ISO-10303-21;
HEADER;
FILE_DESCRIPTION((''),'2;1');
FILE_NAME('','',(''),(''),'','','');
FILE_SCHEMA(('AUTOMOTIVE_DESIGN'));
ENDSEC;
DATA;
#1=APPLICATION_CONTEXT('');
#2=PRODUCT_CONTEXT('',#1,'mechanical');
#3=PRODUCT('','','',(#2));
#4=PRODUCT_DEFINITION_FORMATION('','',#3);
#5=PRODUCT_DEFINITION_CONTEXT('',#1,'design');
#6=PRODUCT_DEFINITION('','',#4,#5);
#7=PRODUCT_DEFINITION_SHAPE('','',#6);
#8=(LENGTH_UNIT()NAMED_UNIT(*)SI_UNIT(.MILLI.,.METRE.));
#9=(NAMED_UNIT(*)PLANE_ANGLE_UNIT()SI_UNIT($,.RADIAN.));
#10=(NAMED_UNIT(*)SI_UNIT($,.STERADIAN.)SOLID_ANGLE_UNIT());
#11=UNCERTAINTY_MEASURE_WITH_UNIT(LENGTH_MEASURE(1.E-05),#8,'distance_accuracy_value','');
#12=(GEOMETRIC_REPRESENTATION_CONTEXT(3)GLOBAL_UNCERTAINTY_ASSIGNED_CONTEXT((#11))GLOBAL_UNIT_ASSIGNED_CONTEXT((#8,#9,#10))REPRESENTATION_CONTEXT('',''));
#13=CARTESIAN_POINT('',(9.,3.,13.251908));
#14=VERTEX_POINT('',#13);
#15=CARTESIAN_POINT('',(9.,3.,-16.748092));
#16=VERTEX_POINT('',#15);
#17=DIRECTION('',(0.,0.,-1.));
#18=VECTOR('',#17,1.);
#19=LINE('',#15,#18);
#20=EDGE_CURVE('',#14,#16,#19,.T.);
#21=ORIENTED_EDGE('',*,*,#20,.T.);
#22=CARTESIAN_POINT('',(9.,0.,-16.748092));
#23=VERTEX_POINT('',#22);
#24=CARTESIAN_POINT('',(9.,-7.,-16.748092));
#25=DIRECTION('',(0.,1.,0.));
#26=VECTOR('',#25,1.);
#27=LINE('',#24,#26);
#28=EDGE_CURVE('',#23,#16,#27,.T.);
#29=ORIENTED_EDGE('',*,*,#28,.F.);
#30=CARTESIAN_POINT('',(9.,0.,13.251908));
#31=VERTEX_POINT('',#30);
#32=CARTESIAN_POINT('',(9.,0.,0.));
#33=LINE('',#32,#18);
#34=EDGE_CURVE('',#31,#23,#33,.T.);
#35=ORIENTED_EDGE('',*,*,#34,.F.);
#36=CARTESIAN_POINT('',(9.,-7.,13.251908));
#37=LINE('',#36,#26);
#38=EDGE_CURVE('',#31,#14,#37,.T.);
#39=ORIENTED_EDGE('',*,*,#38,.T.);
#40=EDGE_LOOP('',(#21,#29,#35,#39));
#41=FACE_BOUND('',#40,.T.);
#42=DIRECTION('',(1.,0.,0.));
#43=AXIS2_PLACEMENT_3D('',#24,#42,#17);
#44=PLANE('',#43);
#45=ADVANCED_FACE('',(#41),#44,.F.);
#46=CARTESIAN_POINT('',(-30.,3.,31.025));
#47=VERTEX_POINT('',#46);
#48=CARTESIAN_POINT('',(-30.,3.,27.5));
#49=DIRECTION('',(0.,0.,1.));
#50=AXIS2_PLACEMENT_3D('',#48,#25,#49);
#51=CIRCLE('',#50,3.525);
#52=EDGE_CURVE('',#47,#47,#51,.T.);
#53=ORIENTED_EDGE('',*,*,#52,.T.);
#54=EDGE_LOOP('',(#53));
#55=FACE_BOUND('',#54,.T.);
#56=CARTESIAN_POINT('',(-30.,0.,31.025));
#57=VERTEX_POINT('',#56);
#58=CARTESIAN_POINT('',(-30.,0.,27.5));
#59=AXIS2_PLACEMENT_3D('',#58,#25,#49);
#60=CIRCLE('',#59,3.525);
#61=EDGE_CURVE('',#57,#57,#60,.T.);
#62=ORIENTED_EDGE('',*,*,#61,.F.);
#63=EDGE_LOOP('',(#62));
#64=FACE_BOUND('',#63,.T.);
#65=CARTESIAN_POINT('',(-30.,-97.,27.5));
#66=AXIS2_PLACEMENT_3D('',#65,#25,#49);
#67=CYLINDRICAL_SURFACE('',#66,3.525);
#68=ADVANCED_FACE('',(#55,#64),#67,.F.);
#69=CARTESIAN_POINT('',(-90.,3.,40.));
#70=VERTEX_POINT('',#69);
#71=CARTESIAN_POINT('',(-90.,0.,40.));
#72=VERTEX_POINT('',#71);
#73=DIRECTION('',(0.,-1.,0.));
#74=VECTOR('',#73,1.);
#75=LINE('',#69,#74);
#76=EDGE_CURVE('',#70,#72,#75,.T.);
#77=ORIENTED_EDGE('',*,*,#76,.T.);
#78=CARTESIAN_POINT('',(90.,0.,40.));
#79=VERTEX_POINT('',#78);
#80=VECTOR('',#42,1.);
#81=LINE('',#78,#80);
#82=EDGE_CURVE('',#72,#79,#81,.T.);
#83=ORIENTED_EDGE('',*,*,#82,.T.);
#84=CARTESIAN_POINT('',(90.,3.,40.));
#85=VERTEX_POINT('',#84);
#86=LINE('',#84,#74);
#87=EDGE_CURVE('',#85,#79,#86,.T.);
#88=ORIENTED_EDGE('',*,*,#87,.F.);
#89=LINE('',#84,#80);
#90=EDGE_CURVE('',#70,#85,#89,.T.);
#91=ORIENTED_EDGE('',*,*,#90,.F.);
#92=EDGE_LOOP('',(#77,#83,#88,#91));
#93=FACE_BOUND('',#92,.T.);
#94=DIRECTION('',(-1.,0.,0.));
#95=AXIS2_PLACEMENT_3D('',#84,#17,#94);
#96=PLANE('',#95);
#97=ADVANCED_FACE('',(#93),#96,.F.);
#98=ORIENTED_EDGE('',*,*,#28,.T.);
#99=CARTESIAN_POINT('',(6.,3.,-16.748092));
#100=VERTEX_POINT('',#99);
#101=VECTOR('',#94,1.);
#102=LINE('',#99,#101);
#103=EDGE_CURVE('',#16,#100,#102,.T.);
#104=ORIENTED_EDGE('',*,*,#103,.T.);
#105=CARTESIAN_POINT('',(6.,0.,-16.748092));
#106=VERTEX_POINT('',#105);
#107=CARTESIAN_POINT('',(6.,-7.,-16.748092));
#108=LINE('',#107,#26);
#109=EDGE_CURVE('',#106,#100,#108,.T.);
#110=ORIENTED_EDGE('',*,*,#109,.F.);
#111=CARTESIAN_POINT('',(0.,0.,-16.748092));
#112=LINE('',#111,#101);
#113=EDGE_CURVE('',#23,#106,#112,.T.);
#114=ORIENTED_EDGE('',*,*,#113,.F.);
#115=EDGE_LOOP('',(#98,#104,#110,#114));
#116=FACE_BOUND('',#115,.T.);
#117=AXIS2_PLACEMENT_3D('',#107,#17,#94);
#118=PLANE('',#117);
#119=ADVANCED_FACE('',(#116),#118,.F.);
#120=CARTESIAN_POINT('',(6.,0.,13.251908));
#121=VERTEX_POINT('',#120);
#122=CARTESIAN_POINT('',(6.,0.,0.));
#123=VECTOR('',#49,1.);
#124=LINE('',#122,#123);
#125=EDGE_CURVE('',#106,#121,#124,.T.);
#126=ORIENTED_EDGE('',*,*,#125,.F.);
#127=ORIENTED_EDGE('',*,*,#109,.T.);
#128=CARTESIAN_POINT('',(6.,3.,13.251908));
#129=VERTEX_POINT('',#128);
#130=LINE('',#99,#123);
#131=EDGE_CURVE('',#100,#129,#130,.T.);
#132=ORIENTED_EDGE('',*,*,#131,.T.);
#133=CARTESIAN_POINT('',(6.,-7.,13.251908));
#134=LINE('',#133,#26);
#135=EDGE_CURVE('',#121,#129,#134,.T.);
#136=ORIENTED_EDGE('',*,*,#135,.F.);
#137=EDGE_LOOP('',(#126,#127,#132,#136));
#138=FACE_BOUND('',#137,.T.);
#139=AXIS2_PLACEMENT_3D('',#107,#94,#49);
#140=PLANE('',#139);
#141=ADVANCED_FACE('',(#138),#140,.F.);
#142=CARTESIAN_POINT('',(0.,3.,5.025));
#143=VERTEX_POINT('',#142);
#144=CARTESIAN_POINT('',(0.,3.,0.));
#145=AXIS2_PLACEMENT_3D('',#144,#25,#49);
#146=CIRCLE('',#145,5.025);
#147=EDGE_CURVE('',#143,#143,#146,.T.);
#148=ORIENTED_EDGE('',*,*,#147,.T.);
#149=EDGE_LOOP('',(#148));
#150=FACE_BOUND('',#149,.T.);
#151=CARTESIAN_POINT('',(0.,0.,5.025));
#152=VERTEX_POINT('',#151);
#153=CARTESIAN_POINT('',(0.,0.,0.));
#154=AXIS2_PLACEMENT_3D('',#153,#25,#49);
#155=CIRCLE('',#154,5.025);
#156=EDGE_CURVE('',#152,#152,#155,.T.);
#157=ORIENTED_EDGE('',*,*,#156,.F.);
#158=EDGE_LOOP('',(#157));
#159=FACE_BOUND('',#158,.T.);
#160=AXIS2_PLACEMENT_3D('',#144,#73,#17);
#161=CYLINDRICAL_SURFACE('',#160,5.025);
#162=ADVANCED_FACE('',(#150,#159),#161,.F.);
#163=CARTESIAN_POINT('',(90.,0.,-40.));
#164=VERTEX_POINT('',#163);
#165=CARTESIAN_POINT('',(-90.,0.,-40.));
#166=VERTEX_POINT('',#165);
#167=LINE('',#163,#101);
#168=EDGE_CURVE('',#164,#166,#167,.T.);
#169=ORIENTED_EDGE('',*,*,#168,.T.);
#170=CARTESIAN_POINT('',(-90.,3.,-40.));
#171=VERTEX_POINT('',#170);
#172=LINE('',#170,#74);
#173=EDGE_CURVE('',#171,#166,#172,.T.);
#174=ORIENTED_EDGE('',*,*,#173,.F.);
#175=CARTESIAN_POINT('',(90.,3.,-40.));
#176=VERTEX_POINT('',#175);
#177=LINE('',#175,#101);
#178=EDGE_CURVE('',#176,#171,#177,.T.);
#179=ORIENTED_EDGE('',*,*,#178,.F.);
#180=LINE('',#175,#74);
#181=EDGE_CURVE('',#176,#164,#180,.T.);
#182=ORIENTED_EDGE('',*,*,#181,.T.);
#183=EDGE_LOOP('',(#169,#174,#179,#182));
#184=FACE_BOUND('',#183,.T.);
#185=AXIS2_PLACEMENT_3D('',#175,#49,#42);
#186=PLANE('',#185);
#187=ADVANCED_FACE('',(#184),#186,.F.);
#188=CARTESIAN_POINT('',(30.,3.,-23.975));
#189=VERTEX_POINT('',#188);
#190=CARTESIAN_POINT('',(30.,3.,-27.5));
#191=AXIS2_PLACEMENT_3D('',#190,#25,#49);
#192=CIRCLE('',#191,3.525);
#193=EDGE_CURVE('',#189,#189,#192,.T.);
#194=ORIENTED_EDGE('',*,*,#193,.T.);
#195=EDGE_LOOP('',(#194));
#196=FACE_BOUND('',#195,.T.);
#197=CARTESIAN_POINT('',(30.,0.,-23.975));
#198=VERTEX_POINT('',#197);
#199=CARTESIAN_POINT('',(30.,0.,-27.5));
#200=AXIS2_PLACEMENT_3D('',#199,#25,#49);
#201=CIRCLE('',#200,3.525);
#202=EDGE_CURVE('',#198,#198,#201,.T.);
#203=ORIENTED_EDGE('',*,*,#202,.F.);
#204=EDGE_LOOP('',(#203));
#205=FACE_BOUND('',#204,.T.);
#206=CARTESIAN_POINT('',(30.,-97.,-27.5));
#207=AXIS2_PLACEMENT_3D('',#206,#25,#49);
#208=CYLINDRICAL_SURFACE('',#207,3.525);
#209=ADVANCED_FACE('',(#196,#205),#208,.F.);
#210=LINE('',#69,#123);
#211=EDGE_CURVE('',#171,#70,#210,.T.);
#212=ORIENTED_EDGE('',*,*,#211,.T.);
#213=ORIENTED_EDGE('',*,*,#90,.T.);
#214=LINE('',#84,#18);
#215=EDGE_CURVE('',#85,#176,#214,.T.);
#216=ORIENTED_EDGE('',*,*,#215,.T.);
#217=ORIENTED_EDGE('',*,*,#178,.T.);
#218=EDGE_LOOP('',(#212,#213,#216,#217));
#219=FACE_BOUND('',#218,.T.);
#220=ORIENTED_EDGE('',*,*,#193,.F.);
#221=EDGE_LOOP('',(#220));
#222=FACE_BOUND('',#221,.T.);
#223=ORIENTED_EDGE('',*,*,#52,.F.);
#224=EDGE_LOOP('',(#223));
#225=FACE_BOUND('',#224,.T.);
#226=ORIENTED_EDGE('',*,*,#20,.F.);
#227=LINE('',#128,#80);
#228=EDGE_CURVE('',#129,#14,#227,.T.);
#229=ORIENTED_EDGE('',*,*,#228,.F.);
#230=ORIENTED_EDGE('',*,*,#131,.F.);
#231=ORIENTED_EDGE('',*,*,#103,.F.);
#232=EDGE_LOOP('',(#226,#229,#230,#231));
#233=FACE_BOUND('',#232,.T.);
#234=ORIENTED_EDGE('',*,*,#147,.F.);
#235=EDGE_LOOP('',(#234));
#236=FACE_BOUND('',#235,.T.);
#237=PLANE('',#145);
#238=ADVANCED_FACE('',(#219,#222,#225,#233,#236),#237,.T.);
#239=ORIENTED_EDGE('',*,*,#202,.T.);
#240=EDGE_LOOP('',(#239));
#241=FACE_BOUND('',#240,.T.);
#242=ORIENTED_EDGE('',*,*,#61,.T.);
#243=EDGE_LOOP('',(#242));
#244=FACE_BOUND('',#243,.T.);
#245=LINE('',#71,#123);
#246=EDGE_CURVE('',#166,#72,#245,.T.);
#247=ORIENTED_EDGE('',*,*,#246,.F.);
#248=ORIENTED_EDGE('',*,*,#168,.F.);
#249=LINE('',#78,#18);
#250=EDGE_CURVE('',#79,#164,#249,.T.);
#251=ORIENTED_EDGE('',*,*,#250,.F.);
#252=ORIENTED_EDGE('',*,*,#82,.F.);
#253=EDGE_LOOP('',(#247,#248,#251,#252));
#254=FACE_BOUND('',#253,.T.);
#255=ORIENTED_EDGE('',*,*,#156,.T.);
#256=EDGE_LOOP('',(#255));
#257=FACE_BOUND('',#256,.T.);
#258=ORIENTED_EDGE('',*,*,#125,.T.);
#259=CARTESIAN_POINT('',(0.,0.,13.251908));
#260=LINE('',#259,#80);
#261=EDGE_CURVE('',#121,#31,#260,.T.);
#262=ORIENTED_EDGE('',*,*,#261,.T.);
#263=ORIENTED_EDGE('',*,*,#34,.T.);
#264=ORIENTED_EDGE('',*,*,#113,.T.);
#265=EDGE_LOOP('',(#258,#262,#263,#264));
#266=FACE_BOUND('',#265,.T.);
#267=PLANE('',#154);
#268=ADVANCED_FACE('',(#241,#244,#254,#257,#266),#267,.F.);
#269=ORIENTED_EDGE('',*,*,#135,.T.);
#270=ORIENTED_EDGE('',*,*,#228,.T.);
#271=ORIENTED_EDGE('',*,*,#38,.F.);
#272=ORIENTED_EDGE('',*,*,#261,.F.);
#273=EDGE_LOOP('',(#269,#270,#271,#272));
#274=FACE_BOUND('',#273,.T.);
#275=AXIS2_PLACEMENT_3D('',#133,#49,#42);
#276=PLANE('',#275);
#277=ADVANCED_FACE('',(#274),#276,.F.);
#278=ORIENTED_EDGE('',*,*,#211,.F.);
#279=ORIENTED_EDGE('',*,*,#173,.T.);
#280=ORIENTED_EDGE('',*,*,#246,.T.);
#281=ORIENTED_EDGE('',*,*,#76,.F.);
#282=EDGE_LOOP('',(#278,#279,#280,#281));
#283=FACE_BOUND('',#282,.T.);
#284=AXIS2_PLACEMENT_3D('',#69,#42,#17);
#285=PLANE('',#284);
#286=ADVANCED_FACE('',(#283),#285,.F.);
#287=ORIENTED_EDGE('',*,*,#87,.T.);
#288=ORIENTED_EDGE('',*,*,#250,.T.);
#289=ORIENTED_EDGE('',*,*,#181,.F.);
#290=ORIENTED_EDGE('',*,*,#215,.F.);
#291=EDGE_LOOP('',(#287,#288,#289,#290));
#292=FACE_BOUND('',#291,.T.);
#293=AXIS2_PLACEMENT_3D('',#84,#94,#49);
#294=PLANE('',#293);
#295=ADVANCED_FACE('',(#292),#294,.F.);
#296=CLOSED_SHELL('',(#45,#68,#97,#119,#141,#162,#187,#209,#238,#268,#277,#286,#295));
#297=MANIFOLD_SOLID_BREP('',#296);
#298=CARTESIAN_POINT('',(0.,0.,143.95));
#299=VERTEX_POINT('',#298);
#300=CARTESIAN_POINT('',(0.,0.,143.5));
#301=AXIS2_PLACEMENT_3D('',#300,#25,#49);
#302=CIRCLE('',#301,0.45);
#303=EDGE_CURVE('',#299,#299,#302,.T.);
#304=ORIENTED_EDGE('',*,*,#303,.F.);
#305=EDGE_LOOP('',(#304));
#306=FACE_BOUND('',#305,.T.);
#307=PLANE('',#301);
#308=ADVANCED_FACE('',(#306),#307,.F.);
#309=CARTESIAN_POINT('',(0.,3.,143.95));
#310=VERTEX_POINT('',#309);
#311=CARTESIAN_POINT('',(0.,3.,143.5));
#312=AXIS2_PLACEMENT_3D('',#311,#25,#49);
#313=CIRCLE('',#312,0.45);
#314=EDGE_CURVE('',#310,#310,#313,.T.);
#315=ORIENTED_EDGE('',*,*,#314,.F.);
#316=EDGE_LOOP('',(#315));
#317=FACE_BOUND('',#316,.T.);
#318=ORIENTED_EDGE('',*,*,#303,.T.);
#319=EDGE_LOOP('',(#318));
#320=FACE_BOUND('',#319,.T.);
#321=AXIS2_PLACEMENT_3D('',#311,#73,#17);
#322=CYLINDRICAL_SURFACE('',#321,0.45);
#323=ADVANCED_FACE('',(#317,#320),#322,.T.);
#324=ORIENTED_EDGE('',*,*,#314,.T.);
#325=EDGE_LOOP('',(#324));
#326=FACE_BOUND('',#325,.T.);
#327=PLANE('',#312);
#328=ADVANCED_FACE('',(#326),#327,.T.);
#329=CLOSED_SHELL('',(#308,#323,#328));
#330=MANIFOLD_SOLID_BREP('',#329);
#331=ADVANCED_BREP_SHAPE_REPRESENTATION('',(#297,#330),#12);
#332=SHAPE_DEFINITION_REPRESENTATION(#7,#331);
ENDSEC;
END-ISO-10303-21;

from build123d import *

# Parameters (mm, degrees)
ESBO_O1_R                  = 0.45
RESSALTO_EXTRUS_O1_DEPTH   = 3
ESBO_O1_W                  = 180
ESBO_O1_H                  = 80
ESBO_O1_R_2                = 5.025
RESSALTO_EXTRUS_O1_2_DEPTH = 3
ESBO_O3_R                  = 3.525
CORTE_EXTRUS_O2_DEPTH      = 100
ESBO_O4_W                  = 3
ESBO_O4_H                  = 30
CORTE_EXTRUS_O3_DEPTH      = 10


with BuildPart() as part:
    # Esboço1 → Ressalto-extrusão1 (new body)
    with BuildSketch(Plane(origin=(0, 0, 0), x_dir=(1, 0, 0), z_dir=(0, 1, 0))):
        with Locations(Location((0, -143.5, 0), (0, 0, 270))):
            Circle(ESBO_O1_R)
    extrude(amount=RESSALTO_EXTRUS_O1_DEPTH)


with BuildPart() as body_2:
    # Esboço1 → Ressalto-extrus_o1 2 (new body)
    with BuildSketch(Plane(origin=(0, 0, 0), x_dir=(1, 0, 0), z_dir=(0, 1, 0))):
        Rectangle(ESBO_O1_W, ESBO_O1_H)
        with Locations(Location((0, 0, 0), (0, 0, 270))):
            Circle(ESBO_O1_R_2, mode=Mode.SUBTRACT)
    extrude(amount=RESSALTO_EXTRUS_O1_2_DEPTH)

    # Esboço3 → Corte-extrusão2 (cut)
    with BuildSketch(Plane(origin=(0, 3, 0), x_dir=(1, 0, 0), z_dir=(0, 1, 0))):
        with Locations(Location((30, 27.5, 0), (0, 0, 270))):
            Circle(ESBO_O3_R)
        with Locations(Location((-30, -27.5, 0), (0, 0, 270))):
            Circle(ESBO_O3_R)
    extrude(amount=-CORTE_EXTRUS_O2_DEPTH, mode=Mode.SUBTRACT)

    # Esboço4 → Corte-extrusão3 (cut)
    with BuildSketch(Plane(origin=(0, 3, 0), x_dir=(1, 0, 0), z_dir=(0, 1, 0))):
        with Locations((7.5, 1.748092336)):
            Rectangle(ESBO_O4_W, ESBO_O4_H)
    extrude(amount=-CORTE_EXTRUS_O3_DEPTH, mode=Mode.SUBTRACT)


solid = Compound([part.part, body_2.part])
